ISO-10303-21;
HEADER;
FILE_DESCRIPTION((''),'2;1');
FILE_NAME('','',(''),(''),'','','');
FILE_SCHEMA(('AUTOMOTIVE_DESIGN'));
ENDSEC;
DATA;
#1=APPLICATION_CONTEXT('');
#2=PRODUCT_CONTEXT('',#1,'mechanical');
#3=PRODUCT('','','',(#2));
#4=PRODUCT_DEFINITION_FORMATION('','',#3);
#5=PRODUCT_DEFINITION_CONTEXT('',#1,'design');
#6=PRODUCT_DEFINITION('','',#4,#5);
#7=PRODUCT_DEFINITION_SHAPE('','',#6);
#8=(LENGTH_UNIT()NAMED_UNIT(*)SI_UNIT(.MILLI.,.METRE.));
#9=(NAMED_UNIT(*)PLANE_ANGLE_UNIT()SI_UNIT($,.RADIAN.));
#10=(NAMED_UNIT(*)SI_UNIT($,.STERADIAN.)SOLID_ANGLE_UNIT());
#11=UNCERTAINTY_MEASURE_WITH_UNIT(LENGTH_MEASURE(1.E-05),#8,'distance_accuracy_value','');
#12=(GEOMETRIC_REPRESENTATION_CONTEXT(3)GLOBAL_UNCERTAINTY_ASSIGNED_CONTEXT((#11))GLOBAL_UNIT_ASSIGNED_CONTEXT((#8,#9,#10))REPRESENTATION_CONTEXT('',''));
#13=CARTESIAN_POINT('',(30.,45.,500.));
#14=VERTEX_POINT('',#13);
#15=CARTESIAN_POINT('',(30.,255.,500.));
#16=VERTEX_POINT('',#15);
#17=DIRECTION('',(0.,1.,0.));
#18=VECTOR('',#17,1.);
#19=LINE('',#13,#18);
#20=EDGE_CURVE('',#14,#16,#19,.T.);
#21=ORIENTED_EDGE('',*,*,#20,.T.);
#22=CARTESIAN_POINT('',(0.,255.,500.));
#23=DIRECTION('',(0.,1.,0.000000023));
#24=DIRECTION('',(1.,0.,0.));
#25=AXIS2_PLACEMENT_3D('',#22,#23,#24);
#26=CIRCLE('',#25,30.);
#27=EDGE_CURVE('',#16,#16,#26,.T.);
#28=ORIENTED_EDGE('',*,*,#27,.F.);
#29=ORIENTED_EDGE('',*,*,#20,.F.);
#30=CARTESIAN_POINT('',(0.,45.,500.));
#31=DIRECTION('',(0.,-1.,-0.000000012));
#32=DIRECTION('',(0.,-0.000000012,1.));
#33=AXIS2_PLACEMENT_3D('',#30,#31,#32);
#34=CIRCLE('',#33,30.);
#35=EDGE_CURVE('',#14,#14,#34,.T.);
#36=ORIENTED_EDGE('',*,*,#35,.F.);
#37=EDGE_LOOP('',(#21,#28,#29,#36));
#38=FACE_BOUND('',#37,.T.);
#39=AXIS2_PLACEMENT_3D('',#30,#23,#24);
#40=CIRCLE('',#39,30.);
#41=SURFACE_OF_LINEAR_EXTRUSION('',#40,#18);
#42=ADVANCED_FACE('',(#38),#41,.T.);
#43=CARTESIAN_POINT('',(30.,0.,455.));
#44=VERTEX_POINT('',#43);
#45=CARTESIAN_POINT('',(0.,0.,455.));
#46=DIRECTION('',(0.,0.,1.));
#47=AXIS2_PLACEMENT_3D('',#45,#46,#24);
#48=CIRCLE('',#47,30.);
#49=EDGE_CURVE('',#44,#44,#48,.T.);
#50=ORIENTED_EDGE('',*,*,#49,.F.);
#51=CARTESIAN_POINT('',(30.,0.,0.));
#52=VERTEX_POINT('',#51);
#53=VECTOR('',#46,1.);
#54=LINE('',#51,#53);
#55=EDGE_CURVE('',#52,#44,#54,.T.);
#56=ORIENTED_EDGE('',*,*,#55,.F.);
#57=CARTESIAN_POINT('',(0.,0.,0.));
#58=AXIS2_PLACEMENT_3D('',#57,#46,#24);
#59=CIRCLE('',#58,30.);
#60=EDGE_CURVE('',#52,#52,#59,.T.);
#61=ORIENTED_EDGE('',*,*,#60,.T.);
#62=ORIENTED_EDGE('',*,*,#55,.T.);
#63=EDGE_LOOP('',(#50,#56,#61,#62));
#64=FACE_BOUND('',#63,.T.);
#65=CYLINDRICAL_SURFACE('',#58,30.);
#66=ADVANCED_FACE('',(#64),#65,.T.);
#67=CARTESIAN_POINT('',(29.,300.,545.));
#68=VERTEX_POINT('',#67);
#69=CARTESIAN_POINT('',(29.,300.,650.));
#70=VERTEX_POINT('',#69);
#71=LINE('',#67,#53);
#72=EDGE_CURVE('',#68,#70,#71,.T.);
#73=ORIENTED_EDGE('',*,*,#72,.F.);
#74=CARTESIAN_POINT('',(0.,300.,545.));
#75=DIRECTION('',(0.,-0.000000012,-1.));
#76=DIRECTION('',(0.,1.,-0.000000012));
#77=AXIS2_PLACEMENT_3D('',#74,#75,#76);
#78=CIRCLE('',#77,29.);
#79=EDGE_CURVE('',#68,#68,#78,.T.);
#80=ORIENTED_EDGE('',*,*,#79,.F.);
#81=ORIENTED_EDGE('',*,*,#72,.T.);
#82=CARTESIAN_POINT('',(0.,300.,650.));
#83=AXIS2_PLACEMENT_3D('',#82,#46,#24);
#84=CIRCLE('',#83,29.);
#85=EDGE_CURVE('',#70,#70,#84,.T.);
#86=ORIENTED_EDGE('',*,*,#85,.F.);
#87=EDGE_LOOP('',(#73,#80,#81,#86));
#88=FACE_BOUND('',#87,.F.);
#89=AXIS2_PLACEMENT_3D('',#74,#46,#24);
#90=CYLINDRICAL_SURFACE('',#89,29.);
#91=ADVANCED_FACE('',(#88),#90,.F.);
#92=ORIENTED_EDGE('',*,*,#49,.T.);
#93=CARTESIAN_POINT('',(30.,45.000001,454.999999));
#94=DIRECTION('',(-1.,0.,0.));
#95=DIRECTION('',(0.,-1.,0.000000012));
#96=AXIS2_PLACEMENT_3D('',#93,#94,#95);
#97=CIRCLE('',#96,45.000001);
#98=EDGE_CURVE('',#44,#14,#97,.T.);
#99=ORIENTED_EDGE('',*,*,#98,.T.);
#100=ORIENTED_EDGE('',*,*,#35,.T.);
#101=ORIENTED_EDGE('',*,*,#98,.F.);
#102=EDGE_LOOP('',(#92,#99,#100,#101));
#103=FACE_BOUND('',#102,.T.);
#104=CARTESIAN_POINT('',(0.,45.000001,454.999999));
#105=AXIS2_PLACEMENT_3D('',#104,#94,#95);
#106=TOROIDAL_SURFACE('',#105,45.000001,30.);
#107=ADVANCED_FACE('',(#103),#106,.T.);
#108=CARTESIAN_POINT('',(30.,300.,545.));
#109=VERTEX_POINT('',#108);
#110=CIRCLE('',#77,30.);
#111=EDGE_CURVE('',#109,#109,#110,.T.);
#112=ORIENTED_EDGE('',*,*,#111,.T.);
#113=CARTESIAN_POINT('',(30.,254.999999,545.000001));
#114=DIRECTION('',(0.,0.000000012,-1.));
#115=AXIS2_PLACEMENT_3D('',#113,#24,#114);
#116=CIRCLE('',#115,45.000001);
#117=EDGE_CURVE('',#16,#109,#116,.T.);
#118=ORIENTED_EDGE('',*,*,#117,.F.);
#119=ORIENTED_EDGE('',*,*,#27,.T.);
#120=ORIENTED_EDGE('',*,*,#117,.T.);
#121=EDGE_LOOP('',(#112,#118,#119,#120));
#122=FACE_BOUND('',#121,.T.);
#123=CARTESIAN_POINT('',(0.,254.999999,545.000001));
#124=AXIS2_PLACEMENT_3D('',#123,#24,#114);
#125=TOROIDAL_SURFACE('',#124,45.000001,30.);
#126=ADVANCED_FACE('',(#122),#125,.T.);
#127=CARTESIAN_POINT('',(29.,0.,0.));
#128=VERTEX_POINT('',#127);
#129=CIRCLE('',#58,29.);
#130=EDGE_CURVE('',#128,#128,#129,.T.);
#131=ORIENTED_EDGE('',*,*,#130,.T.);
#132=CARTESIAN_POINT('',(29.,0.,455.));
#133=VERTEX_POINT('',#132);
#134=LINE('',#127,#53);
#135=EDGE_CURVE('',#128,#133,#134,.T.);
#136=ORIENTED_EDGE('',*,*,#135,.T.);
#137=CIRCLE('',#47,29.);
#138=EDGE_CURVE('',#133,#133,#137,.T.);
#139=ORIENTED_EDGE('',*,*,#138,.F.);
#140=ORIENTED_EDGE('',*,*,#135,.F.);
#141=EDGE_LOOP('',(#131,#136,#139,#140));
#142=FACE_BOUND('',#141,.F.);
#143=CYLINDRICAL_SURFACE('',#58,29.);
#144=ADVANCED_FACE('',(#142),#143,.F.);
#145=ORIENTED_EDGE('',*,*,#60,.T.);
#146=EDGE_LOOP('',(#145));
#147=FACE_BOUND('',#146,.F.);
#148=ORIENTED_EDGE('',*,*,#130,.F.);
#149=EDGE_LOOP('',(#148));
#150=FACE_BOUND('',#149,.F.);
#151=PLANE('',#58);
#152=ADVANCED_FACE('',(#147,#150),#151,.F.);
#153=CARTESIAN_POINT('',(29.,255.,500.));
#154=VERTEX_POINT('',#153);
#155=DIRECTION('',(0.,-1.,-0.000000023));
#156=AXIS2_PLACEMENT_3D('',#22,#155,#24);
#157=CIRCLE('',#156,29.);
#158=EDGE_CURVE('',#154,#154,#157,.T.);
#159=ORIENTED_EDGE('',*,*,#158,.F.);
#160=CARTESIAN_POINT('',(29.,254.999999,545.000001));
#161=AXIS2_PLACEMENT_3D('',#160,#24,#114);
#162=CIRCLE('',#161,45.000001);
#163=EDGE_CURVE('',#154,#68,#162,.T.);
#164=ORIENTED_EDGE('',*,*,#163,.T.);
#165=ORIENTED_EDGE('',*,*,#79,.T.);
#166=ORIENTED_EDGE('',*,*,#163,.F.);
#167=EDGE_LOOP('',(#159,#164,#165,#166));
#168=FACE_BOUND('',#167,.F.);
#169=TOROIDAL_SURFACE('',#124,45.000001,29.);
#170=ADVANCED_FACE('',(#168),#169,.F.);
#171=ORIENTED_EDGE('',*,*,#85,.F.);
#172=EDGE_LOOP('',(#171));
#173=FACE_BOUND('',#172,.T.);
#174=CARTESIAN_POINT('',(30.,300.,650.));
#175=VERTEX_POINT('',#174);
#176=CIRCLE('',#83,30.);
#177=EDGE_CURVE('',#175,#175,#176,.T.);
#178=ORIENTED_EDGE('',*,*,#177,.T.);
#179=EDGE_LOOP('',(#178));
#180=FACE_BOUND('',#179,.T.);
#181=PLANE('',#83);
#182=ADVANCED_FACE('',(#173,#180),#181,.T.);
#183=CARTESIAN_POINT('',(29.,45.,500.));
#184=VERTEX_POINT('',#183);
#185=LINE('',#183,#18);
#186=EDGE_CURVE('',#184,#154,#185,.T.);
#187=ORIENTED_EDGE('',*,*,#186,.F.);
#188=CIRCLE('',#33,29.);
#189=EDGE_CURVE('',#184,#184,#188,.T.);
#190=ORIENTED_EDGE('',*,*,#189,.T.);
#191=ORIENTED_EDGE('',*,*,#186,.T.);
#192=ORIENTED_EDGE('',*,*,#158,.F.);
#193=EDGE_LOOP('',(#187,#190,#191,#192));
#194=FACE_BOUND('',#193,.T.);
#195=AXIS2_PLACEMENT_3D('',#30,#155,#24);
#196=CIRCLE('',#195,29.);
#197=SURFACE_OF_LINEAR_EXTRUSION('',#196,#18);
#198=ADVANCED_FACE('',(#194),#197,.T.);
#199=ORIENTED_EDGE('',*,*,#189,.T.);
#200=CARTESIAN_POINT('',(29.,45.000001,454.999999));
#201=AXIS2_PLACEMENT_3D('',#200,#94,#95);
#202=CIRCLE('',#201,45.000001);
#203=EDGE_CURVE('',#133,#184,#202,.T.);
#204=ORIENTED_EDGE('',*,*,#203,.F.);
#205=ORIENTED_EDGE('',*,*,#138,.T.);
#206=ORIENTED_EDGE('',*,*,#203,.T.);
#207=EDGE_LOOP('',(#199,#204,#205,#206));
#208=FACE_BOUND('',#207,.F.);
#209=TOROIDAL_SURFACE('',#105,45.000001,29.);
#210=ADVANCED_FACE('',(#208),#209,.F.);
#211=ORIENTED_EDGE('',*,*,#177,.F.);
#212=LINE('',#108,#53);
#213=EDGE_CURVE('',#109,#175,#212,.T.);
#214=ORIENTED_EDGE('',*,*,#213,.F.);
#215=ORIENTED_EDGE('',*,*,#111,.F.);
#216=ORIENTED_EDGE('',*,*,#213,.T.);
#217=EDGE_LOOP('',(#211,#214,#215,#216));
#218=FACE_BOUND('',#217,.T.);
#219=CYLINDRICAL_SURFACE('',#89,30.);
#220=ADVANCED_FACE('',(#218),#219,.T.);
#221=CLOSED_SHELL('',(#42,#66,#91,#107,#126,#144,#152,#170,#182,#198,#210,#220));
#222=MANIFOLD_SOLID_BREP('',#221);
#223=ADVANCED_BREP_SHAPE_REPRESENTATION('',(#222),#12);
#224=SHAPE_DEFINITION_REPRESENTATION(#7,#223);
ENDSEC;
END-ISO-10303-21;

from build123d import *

# Parameters (mm, degrees)
F1_R   = 30
F1_R_2 = 29


with BuildPart() as f2:
    # F2: sweep along a path in F0
    with BuildLine(Plane.YZ) as f2_path:
        Line((0, 0), (0, 455))
        ThreePointArc((0, 455), (13.180195, 486.819805), (45, 500))
        Line((45, 500), (255, 500))
        ThreePointArc((255, 500), (286.819805, 513.180195), (300, 545))
        Line((300, 545), (300, 650))
    # F1 (on Top) → F2 (sweep)
    with BuildSketch(Plane.XY):
        Circle(F1_R)
        Circle(F1_R_2, mode=Mode.SUBTRACT)
    sweep(path=f2_path.line)


solid = f2.part
